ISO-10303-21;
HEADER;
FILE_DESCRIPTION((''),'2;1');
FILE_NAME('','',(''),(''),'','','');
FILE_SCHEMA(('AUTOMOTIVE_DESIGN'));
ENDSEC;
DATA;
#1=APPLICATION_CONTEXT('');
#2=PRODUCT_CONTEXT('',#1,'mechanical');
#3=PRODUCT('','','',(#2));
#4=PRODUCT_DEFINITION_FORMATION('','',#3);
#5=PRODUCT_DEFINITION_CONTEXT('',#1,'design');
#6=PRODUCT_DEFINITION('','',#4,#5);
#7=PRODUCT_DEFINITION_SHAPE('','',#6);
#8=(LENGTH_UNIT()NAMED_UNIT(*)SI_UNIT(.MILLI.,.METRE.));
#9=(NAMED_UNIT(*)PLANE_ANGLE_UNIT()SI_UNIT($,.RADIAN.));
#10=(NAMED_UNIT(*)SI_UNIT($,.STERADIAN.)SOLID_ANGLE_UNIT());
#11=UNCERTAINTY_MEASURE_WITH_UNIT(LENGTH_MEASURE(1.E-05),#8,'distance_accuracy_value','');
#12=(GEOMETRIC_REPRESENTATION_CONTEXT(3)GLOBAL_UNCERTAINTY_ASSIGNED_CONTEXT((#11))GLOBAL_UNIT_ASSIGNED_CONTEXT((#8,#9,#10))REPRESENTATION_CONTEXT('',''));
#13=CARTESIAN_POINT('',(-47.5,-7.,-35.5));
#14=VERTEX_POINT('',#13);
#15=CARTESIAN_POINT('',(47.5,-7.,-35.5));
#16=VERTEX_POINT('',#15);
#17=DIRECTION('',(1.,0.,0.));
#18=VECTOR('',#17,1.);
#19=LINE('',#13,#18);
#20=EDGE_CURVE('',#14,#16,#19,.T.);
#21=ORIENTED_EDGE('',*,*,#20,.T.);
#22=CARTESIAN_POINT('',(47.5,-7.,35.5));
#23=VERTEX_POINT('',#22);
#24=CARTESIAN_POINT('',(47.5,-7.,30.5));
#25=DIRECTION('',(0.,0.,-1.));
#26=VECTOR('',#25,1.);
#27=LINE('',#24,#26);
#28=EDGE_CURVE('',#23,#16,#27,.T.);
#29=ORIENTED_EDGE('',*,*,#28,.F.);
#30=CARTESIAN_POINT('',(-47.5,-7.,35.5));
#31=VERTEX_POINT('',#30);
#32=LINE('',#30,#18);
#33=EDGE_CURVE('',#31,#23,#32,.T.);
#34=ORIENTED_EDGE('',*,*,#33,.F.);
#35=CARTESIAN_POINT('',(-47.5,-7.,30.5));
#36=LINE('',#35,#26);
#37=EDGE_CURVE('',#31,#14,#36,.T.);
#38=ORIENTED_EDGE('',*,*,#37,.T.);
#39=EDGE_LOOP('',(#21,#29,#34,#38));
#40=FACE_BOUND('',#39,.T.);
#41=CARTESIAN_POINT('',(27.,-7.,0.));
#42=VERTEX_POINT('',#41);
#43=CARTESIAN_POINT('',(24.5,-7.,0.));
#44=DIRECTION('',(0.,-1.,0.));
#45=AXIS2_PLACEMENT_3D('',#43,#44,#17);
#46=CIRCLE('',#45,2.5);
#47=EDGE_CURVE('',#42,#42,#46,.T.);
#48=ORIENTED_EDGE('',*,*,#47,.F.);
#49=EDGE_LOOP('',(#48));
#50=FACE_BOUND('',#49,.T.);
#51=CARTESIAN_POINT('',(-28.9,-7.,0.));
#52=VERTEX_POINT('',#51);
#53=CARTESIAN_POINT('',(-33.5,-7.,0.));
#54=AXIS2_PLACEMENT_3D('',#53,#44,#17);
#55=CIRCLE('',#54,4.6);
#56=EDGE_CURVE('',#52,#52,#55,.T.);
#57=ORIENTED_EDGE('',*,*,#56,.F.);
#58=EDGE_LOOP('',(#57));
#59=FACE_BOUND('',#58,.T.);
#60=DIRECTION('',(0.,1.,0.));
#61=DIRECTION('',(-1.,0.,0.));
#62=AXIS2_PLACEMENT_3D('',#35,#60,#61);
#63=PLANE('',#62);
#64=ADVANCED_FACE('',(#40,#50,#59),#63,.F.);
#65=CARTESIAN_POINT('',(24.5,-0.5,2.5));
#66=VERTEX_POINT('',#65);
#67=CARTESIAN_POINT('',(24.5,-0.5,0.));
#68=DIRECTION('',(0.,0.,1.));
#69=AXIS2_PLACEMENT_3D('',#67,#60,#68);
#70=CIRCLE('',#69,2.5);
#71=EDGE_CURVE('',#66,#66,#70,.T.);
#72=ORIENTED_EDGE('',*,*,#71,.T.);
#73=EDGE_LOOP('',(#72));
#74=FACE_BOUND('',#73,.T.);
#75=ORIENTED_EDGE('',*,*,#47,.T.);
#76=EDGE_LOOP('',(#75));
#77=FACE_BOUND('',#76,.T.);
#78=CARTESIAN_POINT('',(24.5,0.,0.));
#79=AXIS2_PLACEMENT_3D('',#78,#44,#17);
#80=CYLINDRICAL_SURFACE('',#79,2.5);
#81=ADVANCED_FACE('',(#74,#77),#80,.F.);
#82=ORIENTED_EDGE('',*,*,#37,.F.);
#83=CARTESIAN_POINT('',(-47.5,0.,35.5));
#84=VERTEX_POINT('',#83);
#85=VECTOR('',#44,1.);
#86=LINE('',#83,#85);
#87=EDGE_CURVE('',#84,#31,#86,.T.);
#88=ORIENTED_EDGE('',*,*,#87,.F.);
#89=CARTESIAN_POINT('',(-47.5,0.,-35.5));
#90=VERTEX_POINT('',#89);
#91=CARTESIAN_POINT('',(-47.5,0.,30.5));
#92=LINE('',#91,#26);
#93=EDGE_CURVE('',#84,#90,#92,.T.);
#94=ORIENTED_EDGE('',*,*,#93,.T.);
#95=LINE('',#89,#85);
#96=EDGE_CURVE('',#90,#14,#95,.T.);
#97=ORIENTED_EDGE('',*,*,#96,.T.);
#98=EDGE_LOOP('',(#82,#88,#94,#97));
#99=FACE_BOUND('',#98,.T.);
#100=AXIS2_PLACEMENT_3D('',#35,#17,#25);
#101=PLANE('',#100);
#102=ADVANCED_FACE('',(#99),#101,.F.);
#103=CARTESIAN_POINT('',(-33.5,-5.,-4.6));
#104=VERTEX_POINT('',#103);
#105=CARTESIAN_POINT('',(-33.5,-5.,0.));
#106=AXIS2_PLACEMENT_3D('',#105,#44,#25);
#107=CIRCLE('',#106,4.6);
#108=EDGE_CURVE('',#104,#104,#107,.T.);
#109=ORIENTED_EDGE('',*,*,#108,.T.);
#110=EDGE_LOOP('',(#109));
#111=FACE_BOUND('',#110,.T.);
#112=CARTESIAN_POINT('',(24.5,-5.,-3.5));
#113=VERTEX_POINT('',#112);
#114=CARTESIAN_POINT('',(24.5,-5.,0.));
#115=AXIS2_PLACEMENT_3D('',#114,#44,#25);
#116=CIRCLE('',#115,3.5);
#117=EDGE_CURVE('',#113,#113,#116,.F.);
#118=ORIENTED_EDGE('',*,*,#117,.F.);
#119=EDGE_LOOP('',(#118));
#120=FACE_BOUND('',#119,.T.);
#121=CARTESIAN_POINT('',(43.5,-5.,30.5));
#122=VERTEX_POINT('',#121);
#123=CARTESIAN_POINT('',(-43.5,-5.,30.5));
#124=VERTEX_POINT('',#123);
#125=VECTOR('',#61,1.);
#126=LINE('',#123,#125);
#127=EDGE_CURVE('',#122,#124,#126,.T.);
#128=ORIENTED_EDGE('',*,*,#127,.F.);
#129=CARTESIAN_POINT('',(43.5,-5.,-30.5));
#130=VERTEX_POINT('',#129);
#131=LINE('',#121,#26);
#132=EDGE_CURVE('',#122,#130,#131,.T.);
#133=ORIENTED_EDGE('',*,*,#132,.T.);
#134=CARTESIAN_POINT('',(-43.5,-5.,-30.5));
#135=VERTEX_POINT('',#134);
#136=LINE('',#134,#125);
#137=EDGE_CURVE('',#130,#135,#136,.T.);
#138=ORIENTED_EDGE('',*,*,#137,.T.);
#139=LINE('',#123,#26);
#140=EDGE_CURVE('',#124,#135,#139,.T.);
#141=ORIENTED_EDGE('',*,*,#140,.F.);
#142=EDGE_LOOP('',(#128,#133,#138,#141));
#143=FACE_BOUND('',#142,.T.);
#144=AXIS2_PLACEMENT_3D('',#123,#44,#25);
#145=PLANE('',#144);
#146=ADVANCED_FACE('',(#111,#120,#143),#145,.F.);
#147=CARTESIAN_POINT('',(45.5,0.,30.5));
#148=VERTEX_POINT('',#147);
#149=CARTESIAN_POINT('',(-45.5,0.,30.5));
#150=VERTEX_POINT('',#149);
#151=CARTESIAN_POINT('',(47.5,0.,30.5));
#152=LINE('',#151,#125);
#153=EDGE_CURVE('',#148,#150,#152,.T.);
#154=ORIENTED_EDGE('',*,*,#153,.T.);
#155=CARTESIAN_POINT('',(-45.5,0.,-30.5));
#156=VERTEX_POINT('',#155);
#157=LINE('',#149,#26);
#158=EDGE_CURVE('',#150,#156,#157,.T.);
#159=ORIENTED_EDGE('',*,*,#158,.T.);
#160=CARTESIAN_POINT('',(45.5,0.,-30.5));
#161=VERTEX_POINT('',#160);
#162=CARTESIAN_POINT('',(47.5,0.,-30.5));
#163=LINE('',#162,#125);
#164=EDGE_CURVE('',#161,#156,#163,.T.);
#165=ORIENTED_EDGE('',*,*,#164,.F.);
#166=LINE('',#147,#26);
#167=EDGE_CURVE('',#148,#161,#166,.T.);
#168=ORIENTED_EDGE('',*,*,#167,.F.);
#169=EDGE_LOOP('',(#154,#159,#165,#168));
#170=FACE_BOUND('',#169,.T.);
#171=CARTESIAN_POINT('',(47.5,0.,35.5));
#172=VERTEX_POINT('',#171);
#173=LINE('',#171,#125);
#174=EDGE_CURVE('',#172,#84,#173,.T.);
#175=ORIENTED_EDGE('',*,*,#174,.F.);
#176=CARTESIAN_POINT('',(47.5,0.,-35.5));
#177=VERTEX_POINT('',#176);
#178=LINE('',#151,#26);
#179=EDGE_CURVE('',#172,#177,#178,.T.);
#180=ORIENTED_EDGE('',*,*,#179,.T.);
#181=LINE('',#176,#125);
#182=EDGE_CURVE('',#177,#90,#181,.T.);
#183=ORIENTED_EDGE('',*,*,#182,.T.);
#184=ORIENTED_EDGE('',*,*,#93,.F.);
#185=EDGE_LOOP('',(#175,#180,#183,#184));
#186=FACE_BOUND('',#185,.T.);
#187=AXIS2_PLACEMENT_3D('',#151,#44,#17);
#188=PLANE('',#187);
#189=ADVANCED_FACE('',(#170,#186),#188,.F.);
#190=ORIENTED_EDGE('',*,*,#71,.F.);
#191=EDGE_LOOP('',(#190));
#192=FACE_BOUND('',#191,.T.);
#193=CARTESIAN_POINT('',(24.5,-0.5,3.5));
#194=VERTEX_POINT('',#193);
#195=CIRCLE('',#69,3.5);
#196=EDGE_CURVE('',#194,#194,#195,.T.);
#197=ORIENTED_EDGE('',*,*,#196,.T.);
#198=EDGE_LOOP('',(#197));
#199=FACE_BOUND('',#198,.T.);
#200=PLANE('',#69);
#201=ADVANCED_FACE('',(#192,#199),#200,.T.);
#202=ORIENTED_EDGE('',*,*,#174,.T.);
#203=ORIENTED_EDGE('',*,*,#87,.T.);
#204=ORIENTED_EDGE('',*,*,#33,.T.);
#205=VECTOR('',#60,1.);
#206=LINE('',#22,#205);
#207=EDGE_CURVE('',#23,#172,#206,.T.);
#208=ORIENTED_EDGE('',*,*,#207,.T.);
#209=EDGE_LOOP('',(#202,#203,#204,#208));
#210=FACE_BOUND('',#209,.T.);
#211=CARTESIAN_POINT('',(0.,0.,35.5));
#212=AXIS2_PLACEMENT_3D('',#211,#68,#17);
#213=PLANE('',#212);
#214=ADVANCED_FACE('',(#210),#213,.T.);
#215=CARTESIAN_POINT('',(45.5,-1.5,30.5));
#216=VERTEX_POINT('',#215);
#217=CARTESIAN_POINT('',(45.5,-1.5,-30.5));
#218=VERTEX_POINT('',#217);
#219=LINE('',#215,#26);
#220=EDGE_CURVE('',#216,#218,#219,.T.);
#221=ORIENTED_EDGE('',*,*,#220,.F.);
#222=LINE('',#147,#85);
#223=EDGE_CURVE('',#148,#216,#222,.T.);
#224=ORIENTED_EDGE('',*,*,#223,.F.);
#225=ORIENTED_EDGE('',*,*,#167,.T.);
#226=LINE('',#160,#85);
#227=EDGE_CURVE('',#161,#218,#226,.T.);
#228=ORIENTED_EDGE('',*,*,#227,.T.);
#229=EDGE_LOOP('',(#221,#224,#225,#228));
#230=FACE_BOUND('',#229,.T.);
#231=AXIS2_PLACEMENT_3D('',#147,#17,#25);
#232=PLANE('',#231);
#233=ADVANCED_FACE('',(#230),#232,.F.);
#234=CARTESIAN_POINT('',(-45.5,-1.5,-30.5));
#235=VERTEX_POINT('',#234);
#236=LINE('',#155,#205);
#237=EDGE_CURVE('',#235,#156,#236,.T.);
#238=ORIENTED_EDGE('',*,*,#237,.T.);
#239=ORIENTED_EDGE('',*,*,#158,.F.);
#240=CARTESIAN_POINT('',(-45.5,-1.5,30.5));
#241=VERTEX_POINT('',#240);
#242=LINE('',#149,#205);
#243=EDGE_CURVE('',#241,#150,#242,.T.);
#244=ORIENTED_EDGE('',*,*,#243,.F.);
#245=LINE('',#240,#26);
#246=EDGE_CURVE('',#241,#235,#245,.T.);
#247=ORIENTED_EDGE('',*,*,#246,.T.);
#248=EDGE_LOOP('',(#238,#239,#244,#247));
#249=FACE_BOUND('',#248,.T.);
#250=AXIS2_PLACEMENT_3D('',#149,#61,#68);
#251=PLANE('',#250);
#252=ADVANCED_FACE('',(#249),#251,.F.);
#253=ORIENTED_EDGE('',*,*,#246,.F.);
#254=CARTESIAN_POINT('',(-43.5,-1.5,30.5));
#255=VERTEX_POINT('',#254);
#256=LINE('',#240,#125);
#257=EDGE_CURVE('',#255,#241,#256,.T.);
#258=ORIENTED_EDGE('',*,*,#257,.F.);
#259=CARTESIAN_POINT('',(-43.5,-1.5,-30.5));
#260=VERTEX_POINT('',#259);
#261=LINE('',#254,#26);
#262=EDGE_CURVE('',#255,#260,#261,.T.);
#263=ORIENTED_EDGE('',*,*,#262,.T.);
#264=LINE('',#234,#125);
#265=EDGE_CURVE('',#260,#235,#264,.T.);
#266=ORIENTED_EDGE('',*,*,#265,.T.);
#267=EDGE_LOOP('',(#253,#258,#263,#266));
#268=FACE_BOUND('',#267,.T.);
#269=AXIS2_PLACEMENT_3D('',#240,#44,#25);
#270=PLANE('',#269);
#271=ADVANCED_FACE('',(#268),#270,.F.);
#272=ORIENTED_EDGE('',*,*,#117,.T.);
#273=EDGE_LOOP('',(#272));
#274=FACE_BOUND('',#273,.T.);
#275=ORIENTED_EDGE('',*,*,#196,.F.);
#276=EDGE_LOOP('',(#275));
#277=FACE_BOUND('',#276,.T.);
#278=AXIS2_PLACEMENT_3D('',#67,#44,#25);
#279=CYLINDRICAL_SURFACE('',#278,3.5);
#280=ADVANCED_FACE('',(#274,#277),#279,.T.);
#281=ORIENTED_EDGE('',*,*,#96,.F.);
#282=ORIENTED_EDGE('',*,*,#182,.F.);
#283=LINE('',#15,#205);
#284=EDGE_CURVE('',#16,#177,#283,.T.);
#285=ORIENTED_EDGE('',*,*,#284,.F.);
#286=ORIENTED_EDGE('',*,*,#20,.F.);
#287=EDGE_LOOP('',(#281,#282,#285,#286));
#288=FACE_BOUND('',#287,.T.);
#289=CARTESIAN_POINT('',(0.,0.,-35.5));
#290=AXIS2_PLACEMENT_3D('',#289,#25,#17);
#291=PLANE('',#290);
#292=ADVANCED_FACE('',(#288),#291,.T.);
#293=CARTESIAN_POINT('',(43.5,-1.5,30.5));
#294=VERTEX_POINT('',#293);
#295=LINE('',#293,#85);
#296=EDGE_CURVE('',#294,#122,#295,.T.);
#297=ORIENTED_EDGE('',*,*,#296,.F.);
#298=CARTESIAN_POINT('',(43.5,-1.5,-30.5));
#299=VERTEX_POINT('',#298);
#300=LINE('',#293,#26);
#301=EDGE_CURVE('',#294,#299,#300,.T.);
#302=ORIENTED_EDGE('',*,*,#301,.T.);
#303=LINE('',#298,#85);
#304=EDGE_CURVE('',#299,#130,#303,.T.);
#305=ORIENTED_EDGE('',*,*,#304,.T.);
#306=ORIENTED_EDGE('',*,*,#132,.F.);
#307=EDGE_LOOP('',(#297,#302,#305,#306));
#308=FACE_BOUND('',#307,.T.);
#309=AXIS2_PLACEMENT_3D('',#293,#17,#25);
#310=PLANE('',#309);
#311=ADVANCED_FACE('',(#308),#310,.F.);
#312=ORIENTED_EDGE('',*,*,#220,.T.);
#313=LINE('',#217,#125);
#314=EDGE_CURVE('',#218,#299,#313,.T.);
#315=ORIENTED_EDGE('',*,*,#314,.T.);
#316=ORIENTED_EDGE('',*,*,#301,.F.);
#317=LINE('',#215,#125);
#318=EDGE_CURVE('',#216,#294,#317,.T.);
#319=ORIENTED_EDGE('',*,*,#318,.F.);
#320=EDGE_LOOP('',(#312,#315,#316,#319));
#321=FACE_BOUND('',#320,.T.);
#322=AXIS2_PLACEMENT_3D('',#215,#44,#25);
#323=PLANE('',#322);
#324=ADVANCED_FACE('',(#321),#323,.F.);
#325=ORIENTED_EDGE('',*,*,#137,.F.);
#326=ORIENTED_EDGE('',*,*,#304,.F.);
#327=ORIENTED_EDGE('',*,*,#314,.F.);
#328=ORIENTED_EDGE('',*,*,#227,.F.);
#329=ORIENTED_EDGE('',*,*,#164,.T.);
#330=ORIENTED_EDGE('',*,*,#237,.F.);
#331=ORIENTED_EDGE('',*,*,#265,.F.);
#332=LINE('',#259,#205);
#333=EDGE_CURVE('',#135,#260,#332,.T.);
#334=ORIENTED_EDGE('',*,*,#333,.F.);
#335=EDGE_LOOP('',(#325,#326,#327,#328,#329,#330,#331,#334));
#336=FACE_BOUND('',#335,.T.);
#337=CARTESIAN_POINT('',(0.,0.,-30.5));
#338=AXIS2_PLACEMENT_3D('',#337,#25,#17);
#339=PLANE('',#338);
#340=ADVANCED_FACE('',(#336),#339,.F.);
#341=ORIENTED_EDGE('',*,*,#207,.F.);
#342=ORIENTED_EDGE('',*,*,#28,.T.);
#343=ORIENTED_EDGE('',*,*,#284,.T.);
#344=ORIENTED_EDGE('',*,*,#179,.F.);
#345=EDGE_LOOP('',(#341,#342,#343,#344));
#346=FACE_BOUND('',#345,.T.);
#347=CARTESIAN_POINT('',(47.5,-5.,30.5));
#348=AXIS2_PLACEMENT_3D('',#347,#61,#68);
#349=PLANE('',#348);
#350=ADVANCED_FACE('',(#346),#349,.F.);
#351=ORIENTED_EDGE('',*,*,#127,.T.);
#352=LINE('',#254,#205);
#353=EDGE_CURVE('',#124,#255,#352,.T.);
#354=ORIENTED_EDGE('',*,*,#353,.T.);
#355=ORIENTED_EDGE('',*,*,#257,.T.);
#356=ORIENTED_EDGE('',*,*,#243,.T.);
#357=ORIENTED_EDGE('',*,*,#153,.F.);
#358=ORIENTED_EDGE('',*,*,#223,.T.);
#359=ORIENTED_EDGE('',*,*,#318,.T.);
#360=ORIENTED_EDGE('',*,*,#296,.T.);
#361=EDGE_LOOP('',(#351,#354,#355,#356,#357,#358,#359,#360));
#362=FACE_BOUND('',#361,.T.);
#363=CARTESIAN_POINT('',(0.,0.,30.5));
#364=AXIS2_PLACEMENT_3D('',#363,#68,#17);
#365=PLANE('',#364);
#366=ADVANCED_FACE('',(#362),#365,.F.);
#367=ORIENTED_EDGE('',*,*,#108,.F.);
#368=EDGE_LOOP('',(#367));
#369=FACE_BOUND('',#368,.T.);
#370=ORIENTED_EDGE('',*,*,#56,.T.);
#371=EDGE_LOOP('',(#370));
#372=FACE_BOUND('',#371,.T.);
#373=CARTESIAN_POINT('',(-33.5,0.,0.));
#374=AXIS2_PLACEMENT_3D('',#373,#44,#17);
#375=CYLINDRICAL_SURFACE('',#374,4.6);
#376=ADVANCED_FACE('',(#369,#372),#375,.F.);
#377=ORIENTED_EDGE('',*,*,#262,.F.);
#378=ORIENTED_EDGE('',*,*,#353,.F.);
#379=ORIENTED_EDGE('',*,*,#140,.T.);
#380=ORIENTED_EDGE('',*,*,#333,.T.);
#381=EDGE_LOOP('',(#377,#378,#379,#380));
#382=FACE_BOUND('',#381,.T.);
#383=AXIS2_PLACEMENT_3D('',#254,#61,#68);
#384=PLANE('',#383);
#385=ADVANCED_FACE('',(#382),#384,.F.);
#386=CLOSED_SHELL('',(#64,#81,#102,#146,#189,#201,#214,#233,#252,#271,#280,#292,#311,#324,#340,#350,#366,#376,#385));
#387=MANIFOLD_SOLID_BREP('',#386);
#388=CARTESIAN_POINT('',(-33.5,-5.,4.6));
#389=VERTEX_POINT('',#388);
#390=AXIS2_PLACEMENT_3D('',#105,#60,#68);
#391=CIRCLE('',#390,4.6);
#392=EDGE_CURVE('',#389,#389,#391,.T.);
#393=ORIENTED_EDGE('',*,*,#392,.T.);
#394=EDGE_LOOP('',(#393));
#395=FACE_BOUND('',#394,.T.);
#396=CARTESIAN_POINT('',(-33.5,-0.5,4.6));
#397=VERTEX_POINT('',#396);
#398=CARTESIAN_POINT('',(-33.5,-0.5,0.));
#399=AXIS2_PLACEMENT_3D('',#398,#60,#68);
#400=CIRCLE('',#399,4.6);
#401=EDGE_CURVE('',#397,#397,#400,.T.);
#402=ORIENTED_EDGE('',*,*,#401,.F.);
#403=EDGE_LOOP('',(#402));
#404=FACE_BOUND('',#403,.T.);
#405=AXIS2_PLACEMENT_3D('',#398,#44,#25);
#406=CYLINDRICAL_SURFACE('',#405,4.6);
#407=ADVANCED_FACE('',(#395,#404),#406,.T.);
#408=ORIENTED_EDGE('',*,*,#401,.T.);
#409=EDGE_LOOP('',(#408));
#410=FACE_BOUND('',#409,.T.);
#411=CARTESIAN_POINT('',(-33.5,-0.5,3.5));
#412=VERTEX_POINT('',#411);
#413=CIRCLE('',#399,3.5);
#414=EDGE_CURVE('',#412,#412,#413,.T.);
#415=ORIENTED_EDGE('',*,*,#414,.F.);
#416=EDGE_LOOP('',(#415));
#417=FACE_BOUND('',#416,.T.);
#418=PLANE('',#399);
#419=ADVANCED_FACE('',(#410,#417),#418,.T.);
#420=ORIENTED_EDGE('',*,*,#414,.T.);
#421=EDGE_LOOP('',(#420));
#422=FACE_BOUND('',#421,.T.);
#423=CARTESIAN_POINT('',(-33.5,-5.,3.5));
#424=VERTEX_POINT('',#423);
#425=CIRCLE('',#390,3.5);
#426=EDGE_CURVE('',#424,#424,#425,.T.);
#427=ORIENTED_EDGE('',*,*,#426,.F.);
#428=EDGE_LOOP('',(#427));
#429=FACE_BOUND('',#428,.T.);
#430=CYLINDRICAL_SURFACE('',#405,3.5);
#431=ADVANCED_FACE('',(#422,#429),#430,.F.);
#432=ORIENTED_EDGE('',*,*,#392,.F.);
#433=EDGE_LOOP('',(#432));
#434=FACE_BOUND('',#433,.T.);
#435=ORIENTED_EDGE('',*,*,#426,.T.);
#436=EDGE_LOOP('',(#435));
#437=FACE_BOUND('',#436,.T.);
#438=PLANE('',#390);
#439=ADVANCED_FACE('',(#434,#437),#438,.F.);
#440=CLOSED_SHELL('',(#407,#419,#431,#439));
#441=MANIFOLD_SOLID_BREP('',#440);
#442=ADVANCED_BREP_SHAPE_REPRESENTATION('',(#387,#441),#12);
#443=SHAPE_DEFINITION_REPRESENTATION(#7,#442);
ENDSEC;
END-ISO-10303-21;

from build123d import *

# Parameters (mm, degrees)
PCB_STAND_DEPTH    = 30.5
SKETCH3_W          = 95
SKETCH3_H          = 7
EXTRA_BOTTOM_DEPTH = 5
SENSOR_HOLES_2_R   = 4.6
SENSOR_HOLES_2_R_2 = 2.5
SENSOR_HOLES_DEPTH = 60.711807878
SKETCH4_R          = 3.5
SKETCH4_R_2        = 2.5
SKETCH4_R_3        = 4.6
CYLINDER_DEPTH     = 4.5


with BuildPart() as part:
    # Master_Geometry → PCB_Stand (new, symmetric)
    with BuildSketch(Plane.XY):
        Polygon((-47.5, -5), (-47.5, 0), (-45.5, 0), (-45.5, -1.5), (-43.5, -1.5), (-43.5, -5), (43.5, -5), (43.5, -1.5), (45.5, -1.5), (45.5, 0), (47.5, 0), (47.5, -5), (47.5, -7), (-47.5, -7), align=None)
    extrude(amount=PCB_STAND_DEPTH, both=True)

    # Sketch3 → Extra_Bottom (add)
    with BuildSketch(Plane.XY.offset(30.5)):
        with Locations((0, -3.5)):
            Rectangle(SKETCH3_W, SKETCH3_H)
    extra_bottom = extrude(amount=EXTRA_BOTTOM_DEPTH)

    # Mirror2: Extra_Bottom across plane
    add(extra_bottom.mirror(Plane.XY))

    # Sensor-Holes 2 → Sensor_Holes (cut, through all)
    with BuildSketch(Plane.XZ.offset(7)):
        with Locations((-33.5, 0)):
            Circle(SENSOR_HOLES_2_R)
        with Locations((24.5, 0)):
            Circle(SENSOR_HOLES_2_R_2)
    extrude(amount=-SENSOR_HOLES_DEPTH, mode=Mode.SUBTRACT)

    # Sketch4 → Cylinder (add)
    # profile 1 of 2: a face of its own
    with BuildSketch(Plane(origin=(0, -5, 0), x_dir=(1, 0, 0), z_dir=(0, 1, 0))):
        with Locations(Location((24.5, 0, 0), (0, 0, 90))):
            Circle(SKETCH4_R)
        with Locations((24.5, 0)):
            Circle(SKETCH4_R_2, mode=Mode.SUBTRACT)
    # profile 2 of 2: a face of its own
    with BuildSketch(Plane(origin=(0, -5, 0), x_dir=(1, 0, 0), z_dir=(0, 1, 0))):
        with Locations(Location((-33.5, 0, 0), (0, 0, 270))):
            Circle(SKETCH4_R_3)
        with Locations(Location((-33.5, 0, 0), (0, 0, 270))):
            Circle(SKETCH4_R, mode=Mode.SUBTRACT)
    extrude(amount=CYLINDER_DEPTH)


with BuildPart() as cylinder_piece_1:
    # of the separate pieces the step leaves, piece 1, a body of its own (cylinder_pieces)
    add(part.part.solids().sort_by_distance((-47.5, 0, 35.5))[0])


with BuildPart() as cylinder_piece_2:
    # of the separate pieces the step leaves, piece 2, a body of its own (cylinder_pieces)
    add(part.part.solids().sort_by_distance((-33.5, -0.5, 4.6))[0])


solid = Compound([cylinder_piece_1.part, cylinder_piece_2.part])
